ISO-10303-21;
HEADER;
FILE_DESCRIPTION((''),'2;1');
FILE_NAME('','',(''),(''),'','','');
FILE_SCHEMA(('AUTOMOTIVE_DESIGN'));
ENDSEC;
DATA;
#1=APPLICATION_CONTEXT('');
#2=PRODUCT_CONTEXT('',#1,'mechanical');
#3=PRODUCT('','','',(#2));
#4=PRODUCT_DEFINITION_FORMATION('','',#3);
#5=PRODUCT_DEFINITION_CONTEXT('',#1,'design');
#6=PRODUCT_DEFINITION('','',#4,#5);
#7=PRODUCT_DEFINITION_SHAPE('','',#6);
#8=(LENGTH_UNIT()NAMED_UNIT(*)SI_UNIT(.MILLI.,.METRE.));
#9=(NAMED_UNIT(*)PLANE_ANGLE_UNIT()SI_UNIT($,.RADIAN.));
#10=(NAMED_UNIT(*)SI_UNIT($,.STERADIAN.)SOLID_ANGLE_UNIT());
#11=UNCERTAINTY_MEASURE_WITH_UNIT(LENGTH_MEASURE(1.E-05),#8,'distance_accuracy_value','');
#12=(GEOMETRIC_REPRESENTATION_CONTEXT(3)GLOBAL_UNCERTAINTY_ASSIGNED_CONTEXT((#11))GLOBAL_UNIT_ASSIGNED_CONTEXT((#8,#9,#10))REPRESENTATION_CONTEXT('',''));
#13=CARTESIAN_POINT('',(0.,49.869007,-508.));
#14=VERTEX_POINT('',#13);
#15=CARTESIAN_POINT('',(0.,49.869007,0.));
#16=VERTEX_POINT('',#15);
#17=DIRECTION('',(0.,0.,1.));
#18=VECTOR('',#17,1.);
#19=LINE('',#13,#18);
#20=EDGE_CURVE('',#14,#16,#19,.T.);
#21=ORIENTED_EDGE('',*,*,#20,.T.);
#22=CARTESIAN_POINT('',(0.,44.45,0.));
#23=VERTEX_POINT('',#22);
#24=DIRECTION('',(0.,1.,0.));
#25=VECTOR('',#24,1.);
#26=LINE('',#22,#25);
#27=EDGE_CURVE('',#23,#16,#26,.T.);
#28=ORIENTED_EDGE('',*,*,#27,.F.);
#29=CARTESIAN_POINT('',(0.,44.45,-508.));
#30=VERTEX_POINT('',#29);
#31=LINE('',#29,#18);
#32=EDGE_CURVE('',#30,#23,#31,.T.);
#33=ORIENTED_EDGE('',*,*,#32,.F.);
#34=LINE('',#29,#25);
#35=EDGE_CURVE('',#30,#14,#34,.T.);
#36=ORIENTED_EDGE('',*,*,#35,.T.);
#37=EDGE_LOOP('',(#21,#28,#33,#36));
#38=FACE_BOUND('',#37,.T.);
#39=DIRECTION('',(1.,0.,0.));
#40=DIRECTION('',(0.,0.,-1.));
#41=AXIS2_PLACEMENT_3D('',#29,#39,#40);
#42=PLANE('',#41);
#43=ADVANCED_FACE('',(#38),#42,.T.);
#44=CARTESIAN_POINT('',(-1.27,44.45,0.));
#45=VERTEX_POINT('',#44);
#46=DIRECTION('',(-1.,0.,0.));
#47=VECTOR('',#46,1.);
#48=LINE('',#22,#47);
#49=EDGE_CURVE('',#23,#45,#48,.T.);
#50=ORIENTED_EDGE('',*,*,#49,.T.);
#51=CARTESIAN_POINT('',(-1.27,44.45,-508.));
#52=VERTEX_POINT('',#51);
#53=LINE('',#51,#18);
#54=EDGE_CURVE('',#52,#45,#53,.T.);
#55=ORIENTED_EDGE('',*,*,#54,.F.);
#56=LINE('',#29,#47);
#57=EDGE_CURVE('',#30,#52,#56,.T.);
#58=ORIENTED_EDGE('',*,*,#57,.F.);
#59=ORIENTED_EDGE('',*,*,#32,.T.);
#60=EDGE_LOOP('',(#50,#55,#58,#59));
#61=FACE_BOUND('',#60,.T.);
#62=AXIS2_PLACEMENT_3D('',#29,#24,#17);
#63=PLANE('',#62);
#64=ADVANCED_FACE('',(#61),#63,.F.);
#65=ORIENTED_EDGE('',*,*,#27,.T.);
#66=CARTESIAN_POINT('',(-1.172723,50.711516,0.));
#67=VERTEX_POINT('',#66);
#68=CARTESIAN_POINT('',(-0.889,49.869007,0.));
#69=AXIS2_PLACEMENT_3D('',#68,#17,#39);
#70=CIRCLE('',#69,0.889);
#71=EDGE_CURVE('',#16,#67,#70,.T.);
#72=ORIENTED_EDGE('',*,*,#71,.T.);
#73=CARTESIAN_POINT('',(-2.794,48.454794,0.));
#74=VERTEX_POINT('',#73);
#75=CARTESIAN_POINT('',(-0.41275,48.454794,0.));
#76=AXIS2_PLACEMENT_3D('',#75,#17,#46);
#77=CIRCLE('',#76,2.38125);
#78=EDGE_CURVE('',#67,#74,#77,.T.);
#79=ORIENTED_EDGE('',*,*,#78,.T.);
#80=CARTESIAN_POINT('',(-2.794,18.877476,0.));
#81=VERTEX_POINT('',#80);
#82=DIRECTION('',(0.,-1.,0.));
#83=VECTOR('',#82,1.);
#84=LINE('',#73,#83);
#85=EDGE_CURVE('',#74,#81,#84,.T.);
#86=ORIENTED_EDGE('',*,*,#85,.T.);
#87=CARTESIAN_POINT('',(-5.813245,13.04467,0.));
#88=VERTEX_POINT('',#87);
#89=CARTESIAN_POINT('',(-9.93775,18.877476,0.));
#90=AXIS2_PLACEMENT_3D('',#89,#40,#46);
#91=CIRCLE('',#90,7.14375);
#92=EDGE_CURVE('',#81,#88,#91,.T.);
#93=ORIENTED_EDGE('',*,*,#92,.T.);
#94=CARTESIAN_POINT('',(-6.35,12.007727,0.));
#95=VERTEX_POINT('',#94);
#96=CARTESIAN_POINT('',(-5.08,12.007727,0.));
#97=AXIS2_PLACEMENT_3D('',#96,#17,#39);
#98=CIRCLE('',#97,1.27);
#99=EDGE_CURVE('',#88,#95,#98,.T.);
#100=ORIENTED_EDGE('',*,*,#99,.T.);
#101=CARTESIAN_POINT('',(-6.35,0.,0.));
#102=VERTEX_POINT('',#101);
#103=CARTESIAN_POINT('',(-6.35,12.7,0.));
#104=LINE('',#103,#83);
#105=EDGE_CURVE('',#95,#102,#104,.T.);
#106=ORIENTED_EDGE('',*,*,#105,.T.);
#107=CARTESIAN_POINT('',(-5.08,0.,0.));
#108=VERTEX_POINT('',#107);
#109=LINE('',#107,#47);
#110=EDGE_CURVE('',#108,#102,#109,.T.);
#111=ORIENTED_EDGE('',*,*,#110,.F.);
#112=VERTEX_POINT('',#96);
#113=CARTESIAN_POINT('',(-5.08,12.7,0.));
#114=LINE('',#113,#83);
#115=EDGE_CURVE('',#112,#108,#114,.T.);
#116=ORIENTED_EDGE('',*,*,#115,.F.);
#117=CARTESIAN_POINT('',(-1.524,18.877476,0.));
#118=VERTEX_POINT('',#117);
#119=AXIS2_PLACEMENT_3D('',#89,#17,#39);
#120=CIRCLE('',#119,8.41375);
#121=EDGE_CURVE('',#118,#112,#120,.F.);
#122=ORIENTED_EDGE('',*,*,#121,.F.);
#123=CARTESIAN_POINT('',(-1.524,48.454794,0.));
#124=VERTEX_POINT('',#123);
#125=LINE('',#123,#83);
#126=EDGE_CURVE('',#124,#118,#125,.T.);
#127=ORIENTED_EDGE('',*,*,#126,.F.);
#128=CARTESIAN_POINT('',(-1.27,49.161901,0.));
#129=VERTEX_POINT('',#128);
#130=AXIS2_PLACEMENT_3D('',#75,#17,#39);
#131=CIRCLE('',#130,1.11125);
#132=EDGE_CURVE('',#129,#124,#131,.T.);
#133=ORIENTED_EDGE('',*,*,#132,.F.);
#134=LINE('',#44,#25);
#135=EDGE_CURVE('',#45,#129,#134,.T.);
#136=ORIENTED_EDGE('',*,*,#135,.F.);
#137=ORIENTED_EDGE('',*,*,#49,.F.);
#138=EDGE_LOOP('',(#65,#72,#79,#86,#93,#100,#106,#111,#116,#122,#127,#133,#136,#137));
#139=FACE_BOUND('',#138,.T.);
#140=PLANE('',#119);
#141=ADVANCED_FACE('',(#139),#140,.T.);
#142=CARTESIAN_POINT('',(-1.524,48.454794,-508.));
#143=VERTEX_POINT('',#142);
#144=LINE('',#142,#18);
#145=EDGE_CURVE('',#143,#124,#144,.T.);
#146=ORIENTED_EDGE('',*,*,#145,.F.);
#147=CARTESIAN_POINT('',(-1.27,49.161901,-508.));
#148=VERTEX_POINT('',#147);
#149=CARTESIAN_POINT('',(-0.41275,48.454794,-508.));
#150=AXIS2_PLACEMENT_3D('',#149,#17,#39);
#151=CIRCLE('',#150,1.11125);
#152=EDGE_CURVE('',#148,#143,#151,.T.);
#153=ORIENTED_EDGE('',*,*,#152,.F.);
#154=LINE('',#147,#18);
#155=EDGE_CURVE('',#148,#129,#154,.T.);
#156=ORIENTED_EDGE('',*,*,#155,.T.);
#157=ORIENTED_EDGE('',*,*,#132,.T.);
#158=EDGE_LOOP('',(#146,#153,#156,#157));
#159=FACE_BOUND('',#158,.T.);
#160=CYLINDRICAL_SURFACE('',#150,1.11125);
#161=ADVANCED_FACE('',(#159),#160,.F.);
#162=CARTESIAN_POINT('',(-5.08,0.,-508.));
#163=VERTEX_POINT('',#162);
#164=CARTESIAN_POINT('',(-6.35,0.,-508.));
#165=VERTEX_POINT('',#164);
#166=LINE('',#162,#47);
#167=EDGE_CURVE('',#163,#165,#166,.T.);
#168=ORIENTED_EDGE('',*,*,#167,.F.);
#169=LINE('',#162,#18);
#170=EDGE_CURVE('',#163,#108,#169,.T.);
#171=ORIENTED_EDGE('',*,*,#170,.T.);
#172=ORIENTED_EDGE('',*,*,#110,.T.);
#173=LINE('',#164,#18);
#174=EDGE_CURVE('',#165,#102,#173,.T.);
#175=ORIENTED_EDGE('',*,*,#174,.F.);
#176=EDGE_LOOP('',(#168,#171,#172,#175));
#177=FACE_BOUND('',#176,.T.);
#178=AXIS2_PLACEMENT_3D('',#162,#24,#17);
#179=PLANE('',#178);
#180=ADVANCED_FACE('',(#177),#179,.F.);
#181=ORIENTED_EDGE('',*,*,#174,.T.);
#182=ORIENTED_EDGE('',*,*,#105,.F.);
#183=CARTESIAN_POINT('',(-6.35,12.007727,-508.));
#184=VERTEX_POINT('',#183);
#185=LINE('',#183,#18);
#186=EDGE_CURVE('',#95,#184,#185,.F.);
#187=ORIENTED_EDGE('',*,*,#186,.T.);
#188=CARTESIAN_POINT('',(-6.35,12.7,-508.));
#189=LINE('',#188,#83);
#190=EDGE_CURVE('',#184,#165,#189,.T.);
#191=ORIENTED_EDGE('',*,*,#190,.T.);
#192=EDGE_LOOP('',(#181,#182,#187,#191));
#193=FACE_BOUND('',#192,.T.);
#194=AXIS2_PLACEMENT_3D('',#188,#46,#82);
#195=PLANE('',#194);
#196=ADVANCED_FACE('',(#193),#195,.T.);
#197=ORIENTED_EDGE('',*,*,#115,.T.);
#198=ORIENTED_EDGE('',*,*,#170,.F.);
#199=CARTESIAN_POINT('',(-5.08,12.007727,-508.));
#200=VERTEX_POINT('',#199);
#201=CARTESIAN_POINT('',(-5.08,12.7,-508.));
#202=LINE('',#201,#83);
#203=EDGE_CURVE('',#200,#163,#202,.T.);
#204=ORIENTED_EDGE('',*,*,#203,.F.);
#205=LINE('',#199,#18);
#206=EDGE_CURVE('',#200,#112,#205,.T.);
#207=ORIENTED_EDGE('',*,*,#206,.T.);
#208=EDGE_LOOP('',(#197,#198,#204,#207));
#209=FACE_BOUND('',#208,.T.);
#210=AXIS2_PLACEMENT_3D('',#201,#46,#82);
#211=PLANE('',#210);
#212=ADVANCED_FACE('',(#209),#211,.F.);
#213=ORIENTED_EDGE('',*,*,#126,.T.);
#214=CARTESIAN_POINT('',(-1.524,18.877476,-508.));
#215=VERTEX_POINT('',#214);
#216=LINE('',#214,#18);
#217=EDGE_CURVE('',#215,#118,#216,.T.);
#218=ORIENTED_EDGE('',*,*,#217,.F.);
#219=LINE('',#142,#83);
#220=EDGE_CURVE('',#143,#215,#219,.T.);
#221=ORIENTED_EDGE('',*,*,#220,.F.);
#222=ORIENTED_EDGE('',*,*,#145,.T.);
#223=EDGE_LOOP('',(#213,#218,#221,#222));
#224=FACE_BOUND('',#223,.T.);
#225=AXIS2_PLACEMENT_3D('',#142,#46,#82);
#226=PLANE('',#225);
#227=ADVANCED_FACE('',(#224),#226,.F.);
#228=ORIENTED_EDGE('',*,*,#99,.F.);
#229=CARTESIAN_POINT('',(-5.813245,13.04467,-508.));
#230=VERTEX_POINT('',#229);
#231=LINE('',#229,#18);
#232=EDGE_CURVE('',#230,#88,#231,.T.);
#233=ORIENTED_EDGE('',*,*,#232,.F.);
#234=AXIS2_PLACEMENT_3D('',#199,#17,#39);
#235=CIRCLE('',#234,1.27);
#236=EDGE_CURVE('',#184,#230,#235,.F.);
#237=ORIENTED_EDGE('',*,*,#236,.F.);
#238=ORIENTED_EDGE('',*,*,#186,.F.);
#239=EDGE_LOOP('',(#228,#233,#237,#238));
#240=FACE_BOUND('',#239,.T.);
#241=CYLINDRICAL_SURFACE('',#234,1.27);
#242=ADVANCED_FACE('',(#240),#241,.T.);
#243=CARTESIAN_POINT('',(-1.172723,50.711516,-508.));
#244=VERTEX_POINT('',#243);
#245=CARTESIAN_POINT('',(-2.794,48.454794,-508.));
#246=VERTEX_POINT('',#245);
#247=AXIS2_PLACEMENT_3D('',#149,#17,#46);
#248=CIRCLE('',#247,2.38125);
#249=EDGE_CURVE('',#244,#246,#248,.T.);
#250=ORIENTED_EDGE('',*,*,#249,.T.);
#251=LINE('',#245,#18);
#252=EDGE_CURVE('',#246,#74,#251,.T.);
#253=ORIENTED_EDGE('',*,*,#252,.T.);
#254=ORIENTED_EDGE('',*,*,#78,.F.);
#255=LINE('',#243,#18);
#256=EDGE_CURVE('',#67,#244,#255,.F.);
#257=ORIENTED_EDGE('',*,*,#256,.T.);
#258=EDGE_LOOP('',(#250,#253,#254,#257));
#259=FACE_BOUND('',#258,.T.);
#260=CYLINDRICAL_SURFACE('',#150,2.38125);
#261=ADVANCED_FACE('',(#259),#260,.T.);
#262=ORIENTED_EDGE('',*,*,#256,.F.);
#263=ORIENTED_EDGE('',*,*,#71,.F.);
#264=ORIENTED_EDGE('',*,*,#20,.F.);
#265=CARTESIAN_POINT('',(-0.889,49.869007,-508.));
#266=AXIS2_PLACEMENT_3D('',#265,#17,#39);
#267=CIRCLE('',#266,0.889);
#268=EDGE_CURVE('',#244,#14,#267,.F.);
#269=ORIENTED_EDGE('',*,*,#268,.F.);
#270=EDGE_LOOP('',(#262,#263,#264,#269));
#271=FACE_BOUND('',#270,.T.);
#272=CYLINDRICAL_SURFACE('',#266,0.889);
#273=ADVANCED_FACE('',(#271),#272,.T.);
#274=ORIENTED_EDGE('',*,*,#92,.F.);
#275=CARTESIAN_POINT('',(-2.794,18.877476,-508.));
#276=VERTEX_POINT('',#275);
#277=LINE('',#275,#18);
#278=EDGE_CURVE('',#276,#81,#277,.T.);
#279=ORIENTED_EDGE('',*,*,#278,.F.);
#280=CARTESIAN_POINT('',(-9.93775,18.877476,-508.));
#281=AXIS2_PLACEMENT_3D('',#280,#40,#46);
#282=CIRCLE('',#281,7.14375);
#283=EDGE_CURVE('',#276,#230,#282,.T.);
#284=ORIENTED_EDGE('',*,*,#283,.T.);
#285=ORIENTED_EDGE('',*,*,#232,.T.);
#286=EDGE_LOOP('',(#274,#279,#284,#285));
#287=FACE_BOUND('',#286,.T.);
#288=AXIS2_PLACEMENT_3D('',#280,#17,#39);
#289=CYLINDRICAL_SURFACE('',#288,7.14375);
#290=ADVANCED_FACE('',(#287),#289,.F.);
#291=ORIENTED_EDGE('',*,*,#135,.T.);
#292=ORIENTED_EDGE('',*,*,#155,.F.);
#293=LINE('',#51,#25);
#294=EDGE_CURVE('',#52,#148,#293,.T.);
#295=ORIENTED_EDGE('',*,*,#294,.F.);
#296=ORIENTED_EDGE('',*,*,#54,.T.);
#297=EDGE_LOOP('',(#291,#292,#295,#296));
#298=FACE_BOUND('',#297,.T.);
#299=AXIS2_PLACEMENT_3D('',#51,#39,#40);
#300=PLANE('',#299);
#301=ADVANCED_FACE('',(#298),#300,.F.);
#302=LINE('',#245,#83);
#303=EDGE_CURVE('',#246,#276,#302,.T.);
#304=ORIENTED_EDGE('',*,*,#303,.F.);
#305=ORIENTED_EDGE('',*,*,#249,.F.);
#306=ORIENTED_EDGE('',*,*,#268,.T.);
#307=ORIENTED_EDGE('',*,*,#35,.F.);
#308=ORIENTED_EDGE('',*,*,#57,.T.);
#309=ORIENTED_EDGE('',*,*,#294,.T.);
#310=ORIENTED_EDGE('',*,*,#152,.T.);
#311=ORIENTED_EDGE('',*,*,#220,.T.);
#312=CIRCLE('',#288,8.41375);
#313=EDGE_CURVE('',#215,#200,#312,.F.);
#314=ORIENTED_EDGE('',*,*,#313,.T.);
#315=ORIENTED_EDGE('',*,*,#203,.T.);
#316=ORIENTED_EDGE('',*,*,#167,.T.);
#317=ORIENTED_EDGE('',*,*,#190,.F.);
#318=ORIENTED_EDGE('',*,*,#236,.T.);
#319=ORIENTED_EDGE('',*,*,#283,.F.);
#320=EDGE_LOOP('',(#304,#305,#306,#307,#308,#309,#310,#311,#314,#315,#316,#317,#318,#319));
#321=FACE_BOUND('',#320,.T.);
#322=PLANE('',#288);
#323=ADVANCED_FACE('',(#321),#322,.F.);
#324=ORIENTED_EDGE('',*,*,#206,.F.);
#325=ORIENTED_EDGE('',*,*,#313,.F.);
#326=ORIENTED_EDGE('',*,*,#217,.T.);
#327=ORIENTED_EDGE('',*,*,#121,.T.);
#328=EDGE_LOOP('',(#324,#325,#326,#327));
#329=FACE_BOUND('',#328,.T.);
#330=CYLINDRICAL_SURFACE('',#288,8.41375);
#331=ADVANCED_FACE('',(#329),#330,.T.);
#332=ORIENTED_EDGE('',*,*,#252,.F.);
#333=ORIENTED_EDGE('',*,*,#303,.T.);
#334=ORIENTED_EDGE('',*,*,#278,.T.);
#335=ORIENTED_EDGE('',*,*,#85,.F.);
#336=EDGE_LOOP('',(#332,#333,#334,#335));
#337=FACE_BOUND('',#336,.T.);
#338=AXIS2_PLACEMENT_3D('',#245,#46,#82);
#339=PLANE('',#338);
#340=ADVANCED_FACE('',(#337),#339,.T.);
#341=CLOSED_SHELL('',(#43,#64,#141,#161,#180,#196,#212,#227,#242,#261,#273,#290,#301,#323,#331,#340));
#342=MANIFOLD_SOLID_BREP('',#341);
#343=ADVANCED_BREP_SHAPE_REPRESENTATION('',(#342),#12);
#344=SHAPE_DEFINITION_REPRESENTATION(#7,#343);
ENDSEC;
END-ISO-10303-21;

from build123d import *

# Parameters (mm, degrees)
EXTRUDE_THIN1_DEPTH = 508
FILLET1_R           = 1.27
FILLET2_R           = 0.889


with BuildPart() as part:
    # Sketch1 → Extrude-Thin1 (new body)
    with BuildSketch(Plane.XY):
        with BuildLine():
            Line((0, 44.45), (0, 50.8))
            ThreePointArc((0, 50.8), (-1.943679558, 50.278693106), (-2.794, 48.454794465))
            Line((-2.794, 48.454794465), (-2.794, 18.877476346))
            ThreePointArc((-2.794, 18.877476346), (-3.7465, 15.313547685), (-6.35, 12.7))
            Line((-6.35, 12.7), (-6.35, 0))
            Line((-6.35, 0), (-5.08, 0))
            Line((-5.08, 0), (-5.08, 12.007727151))
            ThreePointArc((-5.08, 12.007727151), (-2.465699307, 15.009705993), (-1.524, 18.877476346))
            Line((-1.524, 18.877476346), (-1.524, 48.454794465))
            ThreePointArc((-1.524, 48.454794465), (-1.458573987, 48.830465532), (-1.27, 49.161900539))
            Line((-1.27, 49.161900539), (-1.27, 44.45))
            Line((-1.27, 44.45), (0, 44.45))
        make_face()
    extrude(amount=-EXTRUDE_THIN1_DEPTH)

    # Fillet1
    fillet1_edges = [part.edges().sort_by_distance(p)[0] for p in [
        (-6.35, 12.7, -254),
    ]]
    fillet(fillet1_edges, radius=FILLET1_R)

    # Fillet2
    fillet2_edges = [part.edges().sort_by_distance(p)[0] for p in [
        (0, 50.8, -254),
    ]]
    fillet(fillet2_edges, radius=FILLET2_R)


solid = part.part
